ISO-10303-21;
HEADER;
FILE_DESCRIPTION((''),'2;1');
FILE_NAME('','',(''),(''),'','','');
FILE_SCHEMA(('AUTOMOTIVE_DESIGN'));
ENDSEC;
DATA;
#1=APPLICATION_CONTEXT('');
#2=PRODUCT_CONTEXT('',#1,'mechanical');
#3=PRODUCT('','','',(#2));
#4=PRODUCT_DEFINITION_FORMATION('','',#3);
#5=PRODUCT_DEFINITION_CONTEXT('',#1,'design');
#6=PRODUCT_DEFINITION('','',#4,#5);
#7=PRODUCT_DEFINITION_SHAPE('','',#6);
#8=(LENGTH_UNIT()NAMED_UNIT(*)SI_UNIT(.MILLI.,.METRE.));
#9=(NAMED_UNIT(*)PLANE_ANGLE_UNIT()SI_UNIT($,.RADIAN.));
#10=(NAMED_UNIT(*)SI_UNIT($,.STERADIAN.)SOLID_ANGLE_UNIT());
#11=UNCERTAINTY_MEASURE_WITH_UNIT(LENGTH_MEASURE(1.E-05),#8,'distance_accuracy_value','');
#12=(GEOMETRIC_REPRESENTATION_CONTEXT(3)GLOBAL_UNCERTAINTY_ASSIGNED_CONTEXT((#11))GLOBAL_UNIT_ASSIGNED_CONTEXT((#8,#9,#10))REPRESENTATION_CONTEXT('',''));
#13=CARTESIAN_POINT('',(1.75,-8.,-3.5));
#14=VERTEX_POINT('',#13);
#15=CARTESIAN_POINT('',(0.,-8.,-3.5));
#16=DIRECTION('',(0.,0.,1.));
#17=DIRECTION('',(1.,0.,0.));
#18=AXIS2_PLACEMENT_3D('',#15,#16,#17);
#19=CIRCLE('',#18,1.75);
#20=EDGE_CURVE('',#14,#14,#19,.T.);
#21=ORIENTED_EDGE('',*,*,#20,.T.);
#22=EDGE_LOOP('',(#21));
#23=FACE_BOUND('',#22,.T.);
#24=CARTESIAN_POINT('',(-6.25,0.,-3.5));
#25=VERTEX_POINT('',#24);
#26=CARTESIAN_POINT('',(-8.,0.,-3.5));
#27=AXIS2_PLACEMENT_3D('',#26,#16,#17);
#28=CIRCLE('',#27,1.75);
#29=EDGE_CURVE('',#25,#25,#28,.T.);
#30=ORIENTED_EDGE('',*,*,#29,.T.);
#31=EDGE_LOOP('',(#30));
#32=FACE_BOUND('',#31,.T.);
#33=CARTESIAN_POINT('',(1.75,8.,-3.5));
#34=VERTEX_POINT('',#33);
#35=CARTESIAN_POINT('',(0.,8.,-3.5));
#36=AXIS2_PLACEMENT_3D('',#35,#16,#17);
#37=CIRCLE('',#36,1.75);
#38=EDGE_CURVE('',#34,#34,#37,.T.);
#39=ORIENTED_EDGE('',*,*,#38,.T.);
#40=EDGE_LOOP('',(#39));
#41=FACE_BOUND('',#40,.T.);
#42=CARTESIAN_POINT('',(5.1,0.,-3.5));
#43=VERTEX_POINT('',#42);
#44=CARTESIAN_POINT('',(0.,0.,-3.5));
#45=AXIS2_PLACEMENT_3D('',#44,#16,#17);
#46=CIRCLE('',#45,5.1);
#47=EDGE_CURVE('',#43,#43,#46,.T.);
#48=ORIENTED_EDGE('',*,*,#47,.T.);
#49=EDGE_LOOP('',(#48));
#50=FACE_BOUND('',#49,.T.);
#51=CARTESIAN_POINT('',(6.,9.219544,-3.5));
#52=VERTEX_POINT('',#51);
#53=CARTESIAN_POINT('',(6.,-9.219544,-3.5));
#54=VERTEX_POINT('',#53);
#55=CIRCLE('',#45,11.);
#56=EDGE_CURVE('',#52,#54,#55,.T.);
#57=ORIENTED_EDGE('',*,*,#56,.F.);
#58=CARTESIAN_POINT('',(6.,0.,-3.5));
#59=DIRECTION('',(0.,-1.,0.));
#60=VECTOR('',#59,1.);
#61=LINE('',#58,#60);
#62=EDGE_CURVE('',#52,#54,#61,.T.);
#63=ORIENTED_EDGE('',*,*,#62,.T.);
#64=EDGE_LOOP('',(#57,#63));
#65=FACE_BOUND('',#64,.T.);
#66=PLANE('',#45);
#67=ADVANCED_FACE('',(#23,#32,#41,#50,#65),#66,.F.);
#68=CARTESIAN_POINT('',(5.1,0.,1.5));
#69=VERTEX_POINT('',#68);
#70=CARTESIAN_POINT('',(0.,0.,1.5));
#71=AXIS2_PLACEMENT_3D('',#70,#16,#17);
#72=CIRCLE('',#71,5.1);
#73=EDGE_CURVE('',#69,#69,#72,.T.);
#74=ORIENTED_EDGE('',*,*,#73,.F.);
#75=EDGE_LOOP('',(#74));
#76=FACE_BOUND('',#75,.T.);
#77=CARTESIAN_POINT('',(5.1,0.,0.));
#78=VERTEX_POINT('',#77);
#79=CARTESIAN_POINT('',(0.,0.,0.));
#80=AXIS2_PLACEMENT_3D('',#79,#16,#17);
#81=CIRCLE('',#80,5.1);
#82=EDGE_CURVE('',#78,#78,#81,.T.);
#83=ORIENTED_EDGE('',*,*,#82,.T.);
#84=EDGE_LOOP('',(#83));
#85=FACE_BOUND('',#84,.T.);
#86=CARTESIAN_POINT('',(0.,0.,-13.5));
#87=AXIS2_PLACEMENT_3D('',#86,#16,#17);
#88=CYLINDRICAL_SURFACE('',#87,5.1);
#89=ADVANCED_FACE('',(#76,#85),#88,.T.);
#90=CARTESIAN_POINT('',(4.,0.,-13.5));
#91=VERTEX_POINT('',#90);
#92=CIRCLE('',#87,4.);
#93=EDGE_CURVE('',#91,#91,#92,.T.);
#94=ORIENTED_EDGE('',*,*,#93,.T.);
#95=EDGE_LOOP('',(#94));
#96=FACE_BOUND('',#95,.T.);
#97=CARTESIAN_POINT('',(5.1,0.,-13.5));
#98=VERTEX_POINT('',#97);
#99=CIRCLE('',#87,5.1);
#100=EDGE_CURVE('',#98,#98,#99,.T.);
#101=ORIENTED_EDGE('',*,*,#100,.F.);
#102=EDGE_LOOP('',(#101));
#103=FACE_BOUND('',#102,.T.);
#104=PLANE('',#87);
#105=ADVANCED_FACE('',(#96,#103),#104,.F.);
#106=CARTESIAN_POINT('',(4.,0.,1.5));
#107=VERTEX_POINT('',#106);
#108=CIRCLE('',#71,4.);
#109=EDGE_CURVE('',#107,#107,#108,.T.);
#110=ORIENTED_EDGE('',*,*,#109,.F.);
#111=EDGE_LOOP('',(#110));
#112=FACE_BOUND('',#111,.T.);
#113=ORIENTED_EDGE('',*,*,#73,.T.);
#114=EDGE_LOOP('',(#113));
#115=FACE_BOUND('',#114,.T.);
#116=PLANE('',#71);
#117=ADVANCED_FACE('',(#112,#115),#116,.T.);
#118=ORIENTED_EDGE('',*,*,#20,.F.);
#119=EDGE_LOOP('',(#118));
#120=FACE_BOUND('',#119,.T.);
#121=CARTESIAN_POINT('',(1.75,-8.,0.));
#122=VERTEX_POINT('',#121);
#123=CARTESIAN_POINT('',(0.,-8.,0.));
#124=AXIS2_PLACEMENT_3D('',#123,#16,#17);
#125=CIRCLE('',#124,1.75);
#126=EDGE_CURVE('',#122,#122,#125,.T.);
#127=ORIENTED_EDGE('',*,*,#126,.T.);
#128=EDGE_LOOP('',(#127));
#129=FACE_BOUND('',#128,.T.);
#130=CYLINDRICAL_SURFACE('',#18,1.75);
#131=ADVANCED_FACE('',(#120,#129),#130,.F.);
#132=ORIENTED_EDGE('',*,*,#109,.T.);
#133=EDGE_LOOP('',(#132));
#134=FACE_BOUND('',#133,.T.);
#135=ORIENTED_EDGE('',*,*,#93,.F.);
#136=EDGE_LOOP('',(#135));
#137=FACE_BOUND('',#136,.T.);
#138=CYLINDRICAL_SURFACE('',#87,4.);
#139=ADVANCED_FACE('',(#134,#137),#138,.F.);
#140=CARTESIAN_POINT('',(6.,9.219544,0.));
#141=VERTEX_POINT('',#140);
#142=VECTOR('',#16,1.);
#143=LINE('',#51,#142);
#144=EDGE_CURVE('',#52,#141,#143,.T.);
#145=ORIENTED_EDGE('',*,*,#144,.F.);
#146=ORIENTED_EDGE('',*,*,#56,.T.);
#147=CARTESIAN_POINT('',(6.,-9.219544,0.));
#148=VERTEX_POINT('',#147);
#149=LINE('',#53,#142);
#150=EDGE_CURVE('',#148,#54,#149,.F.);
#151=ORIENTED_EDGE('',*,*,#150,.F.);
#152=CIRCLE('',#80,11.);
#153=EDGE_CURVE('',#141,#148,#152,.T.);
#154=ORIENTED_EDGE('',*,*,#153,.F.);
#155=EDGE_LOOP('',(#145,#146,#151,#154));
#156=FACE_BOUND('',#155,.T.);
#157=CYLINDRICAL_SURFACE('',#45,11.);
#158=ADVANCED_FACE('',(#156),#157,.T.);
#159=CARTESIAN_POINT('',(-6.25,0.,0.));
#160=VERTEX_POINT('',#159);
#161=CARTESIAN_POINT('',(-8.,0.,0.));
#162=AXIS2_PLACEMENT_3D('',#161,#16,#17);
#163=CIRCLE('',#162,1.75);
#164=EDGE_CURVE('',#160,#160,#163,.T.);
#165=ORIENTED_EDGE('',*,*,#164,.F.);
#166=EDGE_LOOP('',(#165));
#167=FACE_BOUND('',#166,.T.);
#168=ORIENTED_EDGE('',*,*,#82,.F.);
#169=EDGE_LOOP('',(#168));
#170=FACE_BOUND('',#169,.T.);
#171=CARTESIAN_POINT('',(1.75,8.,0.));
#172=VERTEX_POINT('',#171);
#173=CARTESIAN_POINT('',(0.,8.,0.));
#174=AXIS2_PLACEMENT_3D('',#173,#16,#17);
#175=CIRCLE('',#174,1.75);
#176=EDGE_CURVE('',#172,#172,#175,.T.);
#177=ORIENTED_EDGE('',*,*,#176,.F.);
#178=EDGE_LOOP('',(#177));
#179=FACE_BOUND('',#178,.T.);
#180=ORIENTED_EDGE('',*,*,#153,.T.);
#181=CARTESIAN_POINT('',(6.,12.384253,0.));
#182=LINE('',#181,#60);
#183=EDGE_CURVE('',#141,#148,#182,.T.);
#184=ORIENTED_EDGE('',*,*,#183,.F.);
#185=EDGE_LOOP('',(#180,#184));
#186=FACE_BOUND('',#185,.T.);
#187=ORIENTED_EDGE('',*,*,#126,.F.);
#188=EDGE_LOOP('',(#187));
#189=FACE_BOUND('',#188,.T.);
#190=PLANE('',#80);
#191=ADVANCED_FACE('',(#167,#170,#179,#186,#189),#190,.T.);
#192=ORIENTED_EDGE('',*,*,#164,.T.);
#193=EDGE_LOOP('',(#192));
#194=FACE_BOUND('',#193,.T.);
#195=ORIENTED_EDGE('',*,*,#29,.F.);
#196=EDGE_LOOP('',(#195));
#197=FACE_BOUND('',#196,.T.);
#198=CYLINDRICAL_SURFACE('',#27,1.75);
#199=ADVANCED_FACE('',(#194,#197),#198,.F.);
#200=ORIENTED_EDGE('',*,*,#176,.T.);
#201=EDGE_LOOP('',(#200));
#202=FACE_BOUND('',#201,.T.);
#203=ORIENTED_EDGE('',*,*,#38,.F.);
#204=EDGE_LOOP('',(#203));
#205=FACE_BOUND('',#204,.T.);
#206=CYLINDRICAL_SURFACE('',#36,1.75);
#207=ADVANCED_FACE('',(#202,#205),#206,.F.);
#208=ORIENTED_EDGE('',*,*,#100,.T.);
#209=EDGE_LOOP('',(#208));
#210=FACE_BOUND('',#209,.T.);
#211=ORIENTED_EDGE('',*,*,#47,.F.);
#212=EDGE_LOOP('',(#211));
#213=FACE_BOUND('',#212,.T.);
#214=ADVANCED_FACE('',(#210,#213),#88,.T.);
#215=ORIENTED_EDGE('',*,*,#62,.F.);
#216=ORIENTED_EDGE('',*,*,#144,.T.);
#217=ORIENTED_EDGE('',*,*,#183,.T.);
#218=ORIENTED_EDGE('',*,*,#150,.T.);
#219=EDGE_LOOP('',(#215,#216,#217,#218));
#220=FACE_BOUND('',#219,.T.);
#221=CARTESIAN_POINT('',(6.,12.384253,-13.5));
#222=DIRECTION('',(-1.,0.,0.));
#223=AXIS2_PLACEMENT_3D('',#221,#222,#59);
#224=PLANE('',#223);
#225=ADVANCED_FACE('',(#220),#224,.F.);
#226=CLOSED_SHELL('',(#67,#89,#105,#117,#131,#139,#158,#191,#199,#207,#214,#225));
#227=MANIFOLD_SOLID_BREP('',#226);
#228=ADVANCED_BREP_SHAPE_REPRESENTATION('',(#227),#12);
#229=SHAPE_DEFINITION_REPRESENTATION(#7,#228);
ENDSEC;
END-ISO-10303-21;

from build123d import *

# Parameters (mm, degrees)
SKETCH1_R                = 11
SKETCH1_R_2              = 5.1
SKETCH1_R_3              = 1.75
BOSS_EXTRUDE1_DEPTH      = 3.5
BOSS_EXTRUDE2_DEPTH      = 1.5
BOSS_EXTRUDE2_DEPTH_BACK = 13.5
SKETCH2_R                = 5.1
SKETCH2_R_2              = 4
CROQUIS1_W               = 13.137854129
CROQUIS1_H               = 23.868248077
CORTAR_EXTRUIR1_DEPTH    = 21.597329924


with BuildPart() as part:
    # Sketch1 → Boss-Extrude1 (new body)
    with BuildSketch(Plane.XY):
        Circle(SKETCH1_R)
        Circle(SKETCH1_R_2, mode=Mode.SUBTRACT)
        with Locations((0, 8)):
            Circle(SKETCH1_R_3, mode=Mode.SUBTRACT)
        with Locations((8, 0)):
            Circle(SKETCH1_R_3, mode=Mode.SUBTRACT)
        with Locations((0, -8)):
            Circle(SKETCH1_R_3, mode=Mode.SUBTRACT)
        with Locations((-8, 0)):
            Circle(SKETCH1_R_3, mode=Mode.SUBTRACT)
    extrude(amount=-BOSS_EXTRUDE1_DEPTH)

    # Sketch2 → Boss-Extrude2 (add, two sides: drawn at the far end of the back side and taken through both)
    with BuildSketch(Plane.XY.offset(-BOSS_EXTRUDE2_DEPTH_BACK)):
        Circle(SKETCH2_R)
        Circle(SKETCH2_R_2, mode=Mode.SUBTRACT)
    extrude(amount=BOSS_EXTRUDE2_DEPTH + BOSS_EXTRUDE2_DEPTH_BACK)

    # Croquis1 → Cortar-Extruir1 (cut, through all)
    with BuildSketch(Plane.XY):
        with Locations((12.568927065, 0.450129168)):
            Rectangle(CROQUIS1_W, CROQUIS1_H)
    extrude(amount=-CORTAR_EXTRUIR1_DEPTH, mode=Mode.SUBTRACT)


solid = part.part
